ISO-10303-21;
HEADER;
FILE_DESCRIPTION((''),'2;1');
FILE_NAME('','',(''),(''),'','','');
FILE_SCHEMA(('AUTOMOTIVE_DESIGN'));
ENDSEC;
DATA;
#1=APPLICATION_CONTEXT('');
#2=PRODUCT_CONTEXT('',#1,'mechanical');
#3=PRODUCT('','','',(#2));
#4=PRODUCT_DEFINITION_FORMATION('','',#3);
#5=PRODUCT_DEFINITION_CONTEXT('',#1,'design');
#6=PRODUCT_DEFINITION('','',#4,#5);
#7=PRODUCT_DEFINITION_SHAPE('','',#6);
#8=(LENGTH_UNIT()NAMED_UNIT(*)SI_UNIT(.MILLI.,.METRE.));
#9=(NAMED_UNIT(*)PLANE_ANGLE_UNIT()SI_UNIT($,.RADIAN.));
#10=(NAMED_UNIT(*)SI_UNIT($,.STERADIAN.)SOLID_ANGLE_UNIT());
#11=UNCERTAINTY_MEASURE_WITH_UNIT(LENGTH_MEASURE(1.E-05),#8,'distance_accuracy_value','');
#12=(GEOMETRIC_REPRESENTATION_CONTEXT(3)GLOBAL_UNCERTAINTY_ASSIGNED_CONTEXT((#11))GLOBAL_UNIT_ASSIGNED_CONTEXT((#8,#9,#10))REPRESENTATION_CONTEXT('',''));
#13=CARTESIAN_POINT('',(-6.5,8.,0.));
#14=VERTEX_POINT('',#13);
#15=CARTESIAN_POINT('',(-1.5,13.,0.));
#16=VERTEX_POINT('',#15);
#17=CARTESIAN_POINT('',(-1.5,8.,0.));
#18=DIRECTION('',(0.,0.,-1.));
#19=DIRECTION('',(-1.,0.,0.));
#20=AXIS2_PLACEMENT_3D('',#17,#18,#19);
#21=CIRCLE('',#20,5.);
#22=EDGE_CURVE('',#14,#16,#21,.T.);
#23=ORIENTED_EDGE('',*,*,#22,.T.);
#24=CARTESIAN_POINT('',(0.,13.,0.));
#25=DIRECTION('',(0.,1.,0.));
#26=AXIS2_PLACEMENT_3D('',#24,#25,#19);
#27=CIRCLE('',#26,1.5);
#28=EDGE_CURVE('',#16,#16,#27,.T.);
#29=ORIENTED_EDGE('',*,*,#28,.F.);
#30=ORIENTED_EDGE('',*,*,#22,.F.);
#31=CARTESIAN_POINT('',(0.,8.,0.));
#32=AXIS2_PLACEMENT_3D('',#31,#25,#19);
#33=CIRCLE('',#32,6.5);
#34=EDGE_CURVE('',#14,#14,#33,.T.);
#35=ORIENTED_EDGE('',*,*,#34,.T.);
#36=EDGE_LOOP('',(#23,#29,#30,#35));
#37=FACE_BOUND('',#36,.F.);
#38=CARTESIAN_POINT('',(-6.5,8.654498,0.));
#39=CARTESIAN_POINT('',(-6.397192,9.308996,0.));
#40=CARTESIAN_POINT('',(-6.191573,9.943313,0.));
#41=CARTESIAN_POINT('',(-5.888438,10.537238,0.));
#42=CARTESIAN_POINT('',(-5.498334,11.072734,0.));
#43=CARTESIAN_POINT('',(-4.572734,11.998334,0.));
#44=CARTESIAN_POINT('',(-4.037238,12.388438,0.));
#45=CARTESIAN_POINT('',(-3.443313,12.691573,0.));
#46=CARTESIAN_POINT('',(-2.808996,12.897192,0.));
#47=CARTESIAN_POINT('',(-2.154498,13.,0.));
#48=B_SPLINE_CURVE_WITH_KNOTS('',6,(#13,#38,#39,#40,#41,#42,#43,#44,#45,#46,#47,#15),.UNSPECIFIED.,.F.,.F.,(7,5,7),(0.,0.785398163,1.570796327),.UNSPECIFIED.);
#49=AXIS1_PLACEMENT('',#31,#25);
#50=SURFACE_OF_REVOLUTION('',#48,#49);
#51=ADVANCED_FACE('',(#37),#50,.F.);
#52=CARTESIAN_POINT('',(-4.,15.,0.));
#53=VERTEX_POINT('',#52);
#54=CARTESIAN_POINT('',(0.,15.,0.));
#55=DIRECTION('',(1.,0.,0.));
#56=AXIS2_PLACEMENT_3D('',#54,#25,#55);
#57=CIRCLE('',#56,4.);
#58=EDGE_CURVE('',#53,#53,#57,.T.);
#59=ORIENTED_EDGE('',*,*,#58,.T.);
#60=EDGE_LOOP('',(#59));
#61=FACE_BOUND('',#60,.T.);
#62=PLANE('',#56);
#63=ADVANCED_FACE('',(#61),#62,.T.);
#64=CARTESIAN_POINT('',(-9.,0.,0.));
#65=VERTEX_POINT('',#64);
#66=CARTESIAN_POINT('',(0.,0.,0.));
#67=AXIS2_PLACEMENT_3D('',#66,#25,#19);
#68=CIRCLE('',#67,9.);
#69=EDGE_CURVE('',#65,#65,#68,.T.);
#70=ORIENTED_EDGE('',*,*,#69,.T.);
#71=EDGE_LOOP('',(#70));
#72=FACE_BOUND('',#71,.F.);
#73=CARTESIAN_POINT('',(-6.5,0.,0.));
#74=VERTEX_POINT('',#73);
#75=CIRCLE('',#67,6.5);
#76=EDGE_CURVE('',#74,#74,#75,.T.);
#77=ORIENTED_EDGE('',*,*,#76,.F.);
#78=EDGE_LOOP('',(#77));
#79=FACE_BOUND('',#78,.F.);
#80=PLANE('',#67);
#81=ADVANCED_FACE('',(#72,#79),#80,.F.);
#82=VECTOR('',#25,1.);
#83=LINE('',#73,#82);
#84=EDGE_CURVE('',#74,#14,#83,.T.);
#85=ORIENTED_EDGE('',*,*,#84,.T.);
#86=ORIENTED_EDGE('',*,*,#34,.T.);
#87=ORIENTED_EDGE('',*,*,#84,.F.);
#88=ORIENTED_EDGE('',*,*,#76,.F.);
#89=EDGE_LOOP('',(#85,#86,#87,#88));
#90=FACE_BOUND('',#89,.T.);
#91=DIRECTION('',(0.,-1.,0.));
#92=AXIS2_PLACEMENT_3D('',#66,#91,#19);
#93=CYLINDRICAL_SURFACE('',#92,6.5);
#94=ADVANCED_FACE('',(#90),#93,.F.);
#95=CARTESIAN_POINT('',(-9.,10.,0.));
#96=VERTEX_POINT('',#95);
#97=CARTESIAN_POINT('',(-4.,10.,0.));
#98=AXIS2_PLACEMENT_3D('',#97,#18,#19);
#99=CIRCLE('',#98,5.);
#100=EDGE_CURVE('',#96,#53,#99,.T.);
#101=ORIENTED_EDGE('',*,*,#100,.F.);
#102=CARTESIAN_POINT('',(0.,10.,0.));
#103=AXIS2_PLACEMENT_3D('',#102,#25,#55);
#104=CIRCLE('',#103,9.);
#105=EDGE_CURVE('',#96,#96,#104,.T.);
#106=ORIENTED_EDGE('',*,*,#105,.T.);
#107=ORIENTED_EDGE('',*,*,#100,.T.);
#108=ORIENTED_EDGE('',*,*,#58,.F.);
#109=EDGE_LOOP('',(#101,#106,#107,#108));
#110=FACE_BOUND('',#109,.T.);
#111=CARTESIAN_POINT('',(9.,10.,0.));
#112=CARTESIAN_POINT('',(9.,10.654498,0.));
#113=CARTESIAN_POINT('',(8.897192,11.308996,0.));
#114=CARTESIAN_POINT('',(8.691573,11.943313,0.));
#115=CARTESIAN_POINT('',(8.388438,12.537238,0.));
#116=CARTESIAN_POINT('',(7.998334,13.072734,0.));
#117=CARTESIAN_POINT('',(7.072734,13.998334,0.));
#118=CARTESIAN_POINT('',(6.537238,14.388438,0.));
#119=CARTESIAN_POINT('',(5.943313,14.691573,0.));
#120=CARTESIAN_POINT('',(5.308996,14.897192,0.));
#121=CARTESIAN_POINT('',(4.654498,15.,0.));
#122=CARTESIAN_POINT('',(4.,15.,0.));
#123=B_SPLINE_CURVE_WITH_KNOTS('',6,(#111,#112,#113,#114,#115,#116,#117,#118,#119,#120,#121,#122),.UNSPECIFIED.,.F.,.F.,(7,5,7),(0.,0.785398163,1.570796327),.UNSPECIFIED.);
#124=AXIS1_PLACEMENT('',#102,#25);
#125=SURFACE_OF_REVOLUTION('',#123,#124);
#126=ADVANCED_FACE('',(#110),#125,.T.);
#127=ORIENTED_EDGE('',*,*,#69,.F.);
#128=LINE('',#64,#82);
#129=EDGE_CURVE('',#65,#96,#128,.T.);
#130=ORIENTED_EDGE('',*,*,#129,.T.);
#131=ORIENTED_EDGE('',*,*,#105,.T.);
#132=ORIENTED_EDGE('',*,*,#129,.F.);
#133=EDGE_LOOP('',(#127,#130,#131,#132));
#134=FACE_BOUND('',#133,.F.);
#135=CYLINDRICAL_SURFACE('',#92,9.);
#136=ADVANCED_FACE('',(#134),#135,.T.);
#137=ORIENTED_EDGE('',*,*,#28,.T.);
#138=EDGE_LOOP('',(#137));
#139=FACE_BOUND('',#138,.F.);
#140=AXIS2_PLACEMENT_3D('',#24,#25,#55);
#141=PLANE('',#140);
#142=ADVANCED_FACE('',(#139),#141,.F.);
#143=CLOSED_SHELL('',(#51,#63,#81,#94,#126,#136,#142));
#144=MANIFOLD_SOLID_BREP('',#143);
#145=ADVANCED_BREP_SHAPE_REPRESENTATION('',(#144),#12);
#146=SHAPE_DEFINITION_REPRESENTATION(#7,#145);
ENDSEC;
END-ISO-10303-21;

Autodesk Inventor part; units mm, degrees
ref_plane "YZ Plane" through (0, 0, 0) normal (1, 0, 0) x (0, 1, 0)
ref_plane "XZ Plane" through (0, 0, 0) normal (0, 1, 0) x (-1, 0, 0)
ref_plane "XY Plane" through (0, 0, 0) normal (0, 0, 1) x (1, 0, 0)
sketch "스케치1" plane through (0, 0, 0) normal (0, 1, 0) x (-1, 0, 0)
  circle A0 centre (0, 0) radius 6.5
  circle A1 centre (0, 0) radius 9
  dimension "d0" = 13
  dimension "d1" = 18
extrude "돌출1" add sketch "스케치1" along normal blind 13
sketch "스케치2" plane through (0, 13, 0) normal (0, 1, 0) x (1, 0, 0)
  circle A0 centre (0, 0) radius 9 projected
  circle A1 centre (0, 0) radius 6.5 projected
extrude "돌출2" add sketch "스케치2" along normal blind 2 contours A0 | A1
fillet "모깎기1" radius 5 2 edges at (6.5, 13, 0) (-9, 15, 0)
thread "스레드1" size "1 1/2-6 UNC" class "2B" standard "ANSI Unified Screw Threads" length 13
properties part number "부품1"
